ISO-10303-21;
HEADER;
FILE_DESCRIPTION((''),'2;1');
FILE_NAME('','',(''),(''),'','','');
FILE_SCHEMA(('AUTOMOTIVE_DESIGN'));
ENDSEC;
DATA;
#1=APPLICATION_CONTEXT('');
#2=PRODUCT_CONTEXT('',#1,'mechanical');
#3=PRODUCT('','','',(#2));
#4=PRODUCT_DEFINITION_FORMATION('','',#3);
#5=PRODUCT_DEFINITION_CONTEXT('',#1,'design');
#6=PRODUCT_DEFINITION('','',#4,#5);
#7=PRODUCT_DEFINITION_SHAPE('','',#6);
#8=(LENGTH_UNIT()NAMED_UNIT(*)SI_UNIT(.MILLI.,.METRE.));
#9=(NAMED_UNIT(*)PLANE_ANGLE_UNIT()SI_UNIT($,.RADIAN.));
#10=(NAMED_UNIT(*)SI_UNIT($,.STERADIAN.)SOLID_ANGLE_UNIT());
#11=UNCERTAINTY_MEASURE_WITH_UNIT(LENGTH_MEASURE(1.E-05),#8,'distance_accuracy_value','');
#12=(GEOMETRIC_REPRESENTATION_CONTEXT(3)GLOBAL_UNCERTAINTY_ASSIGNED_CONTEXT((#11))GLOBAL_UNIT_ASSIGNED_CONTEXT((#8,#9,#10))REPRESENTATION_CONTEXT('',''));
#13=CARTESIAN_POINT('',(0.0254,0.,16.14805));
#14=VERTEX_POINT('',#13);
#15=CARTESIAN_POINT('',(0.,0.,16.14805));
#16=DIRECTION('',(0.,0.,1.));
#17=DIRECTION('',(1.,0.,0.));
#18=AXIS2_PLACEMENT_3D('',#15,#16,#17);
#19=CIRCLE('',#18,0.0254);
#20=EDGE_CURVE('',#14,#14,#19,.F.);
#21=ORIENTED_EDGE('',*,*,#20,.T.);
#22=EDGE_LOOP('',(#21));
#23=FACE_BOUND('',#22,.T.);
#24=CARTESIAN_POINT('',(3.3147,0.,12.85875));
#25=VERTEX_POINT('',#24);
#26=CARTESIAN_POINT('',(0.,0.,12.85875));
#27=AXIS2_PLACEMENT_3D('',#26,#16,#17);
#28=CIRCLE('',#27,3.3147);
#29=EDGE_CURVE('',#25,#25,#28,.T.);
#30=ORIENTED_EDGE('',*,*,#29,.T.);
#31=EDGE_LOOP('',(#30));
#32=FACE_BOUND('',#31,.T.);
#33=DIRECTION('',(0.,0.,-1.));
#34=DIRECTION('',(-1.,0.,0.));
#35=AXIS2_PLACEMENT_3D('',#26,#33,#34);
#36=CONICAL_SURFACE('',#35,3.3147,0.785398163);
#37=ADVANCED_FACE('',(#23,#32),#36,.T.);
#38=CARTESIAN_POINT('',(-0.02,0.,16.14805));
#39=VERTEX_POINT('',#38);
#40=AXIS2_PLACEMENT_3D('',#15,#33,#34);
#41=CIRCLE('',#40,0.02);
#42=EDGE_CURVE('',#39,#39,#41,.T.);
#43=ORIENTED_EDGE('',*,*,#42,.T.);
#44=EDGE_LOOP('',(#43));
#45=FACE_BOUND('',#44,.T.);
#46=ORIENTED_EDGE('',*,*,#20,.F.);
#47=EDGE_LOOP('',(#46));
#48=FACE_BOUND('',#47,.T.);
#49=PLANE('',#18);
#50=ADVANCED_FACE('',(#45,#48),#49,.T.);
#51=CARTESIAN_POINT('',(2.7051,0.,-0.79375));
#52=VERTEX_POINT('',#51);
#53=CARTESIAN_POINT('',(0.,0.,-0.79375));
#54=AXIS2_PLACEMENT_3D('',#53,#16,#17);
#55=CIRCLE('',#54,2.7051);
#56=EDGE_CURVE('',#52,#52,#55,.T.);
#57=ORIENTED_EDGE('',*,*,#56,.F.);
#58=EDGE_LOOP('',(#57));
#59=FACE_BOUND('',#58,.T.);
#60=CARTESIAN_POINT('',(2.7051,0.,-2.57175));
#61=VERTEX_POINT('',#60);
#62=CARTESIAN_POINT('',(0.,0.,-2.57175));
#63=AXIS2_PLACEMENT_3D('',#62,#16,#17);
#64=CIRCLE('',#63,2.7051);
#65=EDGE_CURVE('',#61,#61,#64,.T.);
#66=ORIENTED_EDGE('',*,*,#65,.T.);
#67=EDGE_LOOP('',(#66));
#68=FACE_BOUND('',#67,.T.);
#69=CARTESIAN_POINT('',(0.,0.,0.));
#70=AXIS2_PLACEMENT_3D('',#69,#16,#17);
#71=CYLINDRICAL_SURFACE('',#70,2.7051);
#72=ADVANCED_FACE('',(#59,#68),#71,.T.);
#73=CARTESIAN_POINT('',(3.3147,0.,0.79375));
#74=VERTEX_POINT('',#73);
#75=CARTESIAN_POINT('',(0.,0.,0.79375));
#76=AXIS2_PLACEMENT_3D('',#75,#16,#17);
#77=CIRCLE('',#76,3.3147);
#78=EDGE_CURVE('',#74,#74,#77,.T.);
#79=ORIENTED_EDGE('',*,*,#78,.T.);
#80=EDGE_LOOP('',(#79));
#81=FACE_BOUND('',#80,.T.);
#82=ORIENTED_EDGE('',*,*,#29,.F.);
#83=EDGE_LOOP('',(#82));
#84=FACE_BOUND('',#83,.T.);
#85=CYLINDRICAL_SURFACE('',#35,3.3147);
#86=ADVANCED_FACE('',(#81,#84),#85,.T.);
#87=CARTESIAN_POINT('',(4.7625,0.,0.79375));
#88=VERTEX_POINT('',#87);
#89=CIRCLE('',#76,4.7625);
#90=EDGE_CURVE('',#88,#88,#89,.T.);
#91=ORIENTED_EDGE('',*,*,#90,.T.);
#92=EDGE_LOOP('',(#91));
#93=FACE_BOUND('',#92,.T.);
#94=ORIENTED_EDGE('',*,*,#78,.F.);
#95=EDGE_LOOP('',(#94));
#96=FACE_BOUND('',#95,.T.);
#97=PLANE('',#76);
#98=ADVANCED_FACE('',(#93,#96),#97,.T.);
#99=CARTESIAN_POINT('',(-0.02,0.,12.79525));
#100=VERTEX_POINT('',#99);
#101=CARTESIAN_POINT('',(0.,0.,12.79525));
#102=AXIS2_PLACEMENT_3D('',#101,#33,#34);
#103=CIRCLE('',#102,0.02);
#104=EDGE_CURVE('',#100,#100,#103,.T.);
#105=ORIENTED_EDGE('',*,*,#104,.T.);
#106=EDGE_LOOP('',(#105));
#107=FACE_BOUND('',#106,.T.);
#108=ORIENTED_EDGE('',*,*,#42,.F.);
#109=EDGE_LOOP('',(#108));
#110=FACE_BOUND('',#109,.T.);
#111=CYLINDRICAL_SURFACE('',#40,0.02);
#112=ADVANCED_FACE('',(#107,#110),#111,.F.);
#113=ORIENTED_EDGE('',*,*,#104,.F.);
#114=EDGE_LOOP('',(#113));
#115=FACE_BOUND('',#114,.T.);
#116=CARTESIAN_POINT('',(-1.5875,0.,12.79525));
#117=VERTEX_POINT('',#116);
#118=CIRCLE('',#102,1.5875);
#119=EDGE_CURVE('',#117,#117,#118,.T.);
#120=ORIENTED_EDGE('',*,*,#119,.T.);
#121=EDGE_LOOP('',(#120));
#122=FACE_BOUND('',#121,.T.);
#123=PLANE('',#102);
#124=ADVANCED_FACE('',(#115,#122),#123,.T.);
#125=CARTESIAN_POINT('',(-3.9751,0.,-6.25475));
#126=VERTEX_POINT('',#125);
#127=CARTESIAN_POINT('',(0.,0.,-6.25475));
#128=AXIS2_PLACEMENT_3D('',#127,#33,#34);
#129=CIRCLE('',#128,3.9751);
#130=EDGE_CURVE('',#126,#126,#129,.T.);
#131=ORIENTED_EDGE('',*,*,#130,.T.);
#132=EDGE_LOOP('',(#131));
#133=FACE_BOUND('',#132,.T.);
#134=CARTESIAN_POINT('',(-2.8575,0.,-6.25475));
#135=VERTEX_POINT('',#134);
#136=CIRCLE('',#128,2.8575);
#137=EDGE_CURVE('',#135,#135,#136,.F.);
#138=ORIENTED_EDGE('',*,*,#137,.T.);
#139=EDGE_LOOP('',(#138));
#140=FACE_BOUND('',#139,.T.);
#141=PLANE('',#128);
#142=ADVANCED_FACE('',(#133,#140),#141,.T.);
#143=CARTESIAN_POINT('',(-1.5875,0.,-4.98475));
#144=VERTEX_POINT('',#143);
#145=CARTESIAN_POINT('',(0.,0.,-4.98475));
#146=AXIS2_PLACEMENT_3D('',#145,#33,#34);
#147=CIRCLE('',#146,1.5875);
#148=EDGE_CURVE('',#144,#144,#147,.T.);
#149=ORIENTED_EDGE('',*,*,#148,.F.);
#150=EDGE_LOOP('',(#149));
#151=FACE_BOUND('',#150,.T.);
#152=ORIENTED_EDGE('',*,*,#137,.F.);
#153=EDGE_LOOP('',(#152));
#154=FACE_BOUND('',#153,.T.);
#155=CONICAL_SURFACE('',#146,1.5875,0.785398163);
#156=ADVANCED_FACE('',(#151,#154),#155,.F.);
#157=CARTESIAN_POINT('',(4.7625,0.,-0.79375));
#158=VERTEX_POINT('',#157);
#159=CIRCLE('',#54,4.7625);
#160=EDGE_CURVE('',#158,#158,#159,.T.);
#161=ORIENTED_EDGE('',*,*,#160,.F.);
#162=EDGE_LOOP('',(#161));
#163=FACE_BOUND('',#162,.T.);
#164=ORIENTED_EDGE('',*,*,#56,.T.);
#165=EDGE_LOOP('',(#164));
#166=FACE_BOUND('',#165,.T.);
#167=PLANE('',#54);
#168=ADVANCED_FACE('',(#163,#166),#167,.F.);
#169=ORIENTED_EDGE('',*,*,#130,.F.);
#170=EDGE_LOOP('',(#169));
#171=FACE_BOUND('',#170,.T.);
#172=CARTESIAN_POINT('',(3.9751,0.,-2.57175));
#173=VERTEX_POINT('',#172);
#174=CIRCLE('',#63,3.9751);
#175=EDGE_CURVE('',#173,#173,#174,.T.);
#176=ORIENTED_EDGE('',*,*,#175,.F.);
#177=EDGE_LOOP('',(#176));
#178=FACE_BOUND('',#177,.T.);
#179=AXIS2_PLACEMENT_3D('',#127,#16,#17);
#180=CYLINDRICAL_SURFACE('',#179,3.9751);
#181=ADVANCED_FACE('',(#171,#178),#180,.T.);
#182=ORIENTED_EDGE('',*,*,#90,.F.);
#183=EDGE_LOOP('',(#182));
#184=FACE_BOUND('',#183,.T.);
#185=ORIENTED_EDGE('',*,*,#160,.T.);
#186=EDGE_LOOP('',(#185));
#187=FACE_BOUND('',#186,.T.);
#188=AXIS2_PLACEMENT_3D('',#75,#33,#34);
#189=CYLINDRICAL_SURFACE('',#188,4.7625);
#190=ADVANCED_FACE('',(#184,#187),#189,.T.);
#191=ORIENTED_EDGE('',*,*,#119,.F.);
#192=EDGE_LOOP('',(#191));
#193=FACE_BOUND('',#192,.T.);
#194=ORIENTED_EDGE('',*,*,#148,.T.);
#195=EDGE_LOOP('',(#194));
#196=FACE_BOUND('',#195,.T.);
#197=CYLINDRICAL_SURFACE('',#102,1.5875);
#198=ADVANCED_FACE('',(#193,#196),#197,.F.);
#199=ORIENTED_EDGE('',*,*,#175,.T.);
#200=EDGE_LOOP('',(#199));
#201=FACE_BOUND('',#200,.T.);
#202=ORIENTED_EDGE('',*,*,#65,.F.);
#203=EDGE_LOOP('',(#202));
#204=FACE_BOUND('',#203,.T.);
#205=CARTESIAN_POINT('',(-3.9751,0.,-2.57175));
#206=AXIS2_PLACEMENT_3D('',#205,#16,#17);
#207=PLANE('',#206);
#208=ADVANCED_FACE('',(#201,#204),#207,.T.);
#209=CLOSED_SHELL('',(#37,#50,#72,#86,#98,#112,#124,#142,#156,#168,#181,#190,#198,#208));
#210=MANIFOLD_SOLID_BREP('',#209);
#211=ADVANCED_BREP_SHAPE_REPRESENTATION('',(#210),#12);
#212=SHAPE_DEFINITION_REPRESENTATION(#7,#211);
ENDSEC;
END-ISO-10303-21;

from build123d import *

# Parameters (mm, degrees)
SKETCH1_R           = 4.7625
BOSS_EXTRUDE1_DEPTH = 0.79375
SKETCH2_R           = 3.9751
BOSS_EXTRUDE2_DEPTH = 5.461
SKETCH3_R           = 3.3147
BOSS_EXTRUDE3_DEPTH = 12.065
SKETCH6_R           = 1.5875
CUT_EXTRUDE1_DEPTH  = 19.05
SKETCH10_W          = 1.27
SKETCH10_H          = 1.778
SKETCH11_R          = 0.0508
CUT_EXTRUDE3_DEPTH  = 0.0254
SKETCH9_R           = 0.02
CUT_EXTRUDE2_DEPTH  = 23.4028
CHAMFER1_SIZE       = 1.27


with BuildPart() as part:
    # Sketch1 → Boss-Extrude1 (new body, symmetric)
    with BuildSketch(Plane.XY):
        Circle(SKETCH1_R)
    extrude(amount=BOSS_EXTRUDE1_DEPTH, both=True)

    # Sketch2 → Boss-Extrude2 (add)
    with BuildSketch(Plane(origin=(0, 0, -0.79375), x_dir=(-1, 0, 0), z_dir=(0, 0, -1))):
        with Locations(Location((0, 0, 0), (0, 0, 180))):  # turned: the seam where the file's is
            Circle(SKETCH2_R)
    extrude(amount=BOSS_EXTRUDE2_DEPTH)

    # Sketch3 → Boss-Extrude3 (add)
    with BuildSketch(Plane.XY.offset(0.79375)):
        Circle(SKETCH3_R)
    extrude(amount=BOSS_EXTRUDE3_DEPTH)

    # Sketch5 → Revolve1 (revolve)
    with BuildSketch(Plane(origin=(0, 0, 0), x_dir=(0, 0, -1), z_dir=(1, 0, 0)), mode=Mode.PRIVATE) as revolve1_sk:
        Polygon((-12.85875, 3.3147), (-16.17345, 0), (-12.85875, 0), align=None)
    revolve(revolve1_sk.sketch.rotate(Axis((0, 0, 0), (0, 0, 1)), 270), axis=Axis((0, 0, 0), (0, 0, 1)))  # turned: the seam where the file's is

    # Sketch6 → Cut-Extrude1 (cut)
    with BuildSketch(Plane(origin=(0, 0, -6.25475), x_dir=(-1, 0, 0), z_dir=(0, 0, -1))):
        Circle(SKETCH6_R)
    extrude(amount=-CUT_EXTRUDE1_DEPTH, mode=Mode.SUBTRACT)

    # Sketch10 → Cut-Revolve1 (revolve, cut)
    with BuildSketch(Plane(origin=(0, 0, 0), x_dir=(1, 0, 0), z_dir=(0, 1, 0)), mode=Mode.PRIVATE) as cut_revolve1_sk:
        with Locations((-3.3401, 1.68275)):
            Rectangle(SKETCH10_W, SKETCH10_H)
    revolve(cut_revolve1_sk.sketch.rotate(Axis((0, 0, 0), (0, 0, -1)), 180), axis=Axis((0, 0, 0), (0, 0, -1)), mode=Mode.SUBTRACT)  # turned: the seam where the file's is

    # Sketch11 → Cut-Extrude3 (cut)
    with BuildSketch(Plane.XY.offset(16.17345)):
        Circle(SKETCH11_R)
    extrude(amount=-CUT_EXTRUDE3_DEPTH, mode=Mode.SUBTRACT)

    # Sketch9 → Cut-Extrude2 (cut, through all)
    with BuildSketch(Plane(origin=(0, 0, -6.25475), x_dir=(-1, 0, 0), z_dir=(0, 0, -1))):
        Circle(SKETCH9_R)
    extrude(amount=-CUT_EXTRUDE2_DEPTH, mode=Mode.SUBTRACT)

    # Chamfer1
    chamfer1_edges = [part.edges().sort_by_distance(p)[0] for p in [
        (1.5875, 0, -6.25475),
    ]]
    chamfer(chamfer1_edges, length=CHAMFER1_SIZE)


solid = part.part
